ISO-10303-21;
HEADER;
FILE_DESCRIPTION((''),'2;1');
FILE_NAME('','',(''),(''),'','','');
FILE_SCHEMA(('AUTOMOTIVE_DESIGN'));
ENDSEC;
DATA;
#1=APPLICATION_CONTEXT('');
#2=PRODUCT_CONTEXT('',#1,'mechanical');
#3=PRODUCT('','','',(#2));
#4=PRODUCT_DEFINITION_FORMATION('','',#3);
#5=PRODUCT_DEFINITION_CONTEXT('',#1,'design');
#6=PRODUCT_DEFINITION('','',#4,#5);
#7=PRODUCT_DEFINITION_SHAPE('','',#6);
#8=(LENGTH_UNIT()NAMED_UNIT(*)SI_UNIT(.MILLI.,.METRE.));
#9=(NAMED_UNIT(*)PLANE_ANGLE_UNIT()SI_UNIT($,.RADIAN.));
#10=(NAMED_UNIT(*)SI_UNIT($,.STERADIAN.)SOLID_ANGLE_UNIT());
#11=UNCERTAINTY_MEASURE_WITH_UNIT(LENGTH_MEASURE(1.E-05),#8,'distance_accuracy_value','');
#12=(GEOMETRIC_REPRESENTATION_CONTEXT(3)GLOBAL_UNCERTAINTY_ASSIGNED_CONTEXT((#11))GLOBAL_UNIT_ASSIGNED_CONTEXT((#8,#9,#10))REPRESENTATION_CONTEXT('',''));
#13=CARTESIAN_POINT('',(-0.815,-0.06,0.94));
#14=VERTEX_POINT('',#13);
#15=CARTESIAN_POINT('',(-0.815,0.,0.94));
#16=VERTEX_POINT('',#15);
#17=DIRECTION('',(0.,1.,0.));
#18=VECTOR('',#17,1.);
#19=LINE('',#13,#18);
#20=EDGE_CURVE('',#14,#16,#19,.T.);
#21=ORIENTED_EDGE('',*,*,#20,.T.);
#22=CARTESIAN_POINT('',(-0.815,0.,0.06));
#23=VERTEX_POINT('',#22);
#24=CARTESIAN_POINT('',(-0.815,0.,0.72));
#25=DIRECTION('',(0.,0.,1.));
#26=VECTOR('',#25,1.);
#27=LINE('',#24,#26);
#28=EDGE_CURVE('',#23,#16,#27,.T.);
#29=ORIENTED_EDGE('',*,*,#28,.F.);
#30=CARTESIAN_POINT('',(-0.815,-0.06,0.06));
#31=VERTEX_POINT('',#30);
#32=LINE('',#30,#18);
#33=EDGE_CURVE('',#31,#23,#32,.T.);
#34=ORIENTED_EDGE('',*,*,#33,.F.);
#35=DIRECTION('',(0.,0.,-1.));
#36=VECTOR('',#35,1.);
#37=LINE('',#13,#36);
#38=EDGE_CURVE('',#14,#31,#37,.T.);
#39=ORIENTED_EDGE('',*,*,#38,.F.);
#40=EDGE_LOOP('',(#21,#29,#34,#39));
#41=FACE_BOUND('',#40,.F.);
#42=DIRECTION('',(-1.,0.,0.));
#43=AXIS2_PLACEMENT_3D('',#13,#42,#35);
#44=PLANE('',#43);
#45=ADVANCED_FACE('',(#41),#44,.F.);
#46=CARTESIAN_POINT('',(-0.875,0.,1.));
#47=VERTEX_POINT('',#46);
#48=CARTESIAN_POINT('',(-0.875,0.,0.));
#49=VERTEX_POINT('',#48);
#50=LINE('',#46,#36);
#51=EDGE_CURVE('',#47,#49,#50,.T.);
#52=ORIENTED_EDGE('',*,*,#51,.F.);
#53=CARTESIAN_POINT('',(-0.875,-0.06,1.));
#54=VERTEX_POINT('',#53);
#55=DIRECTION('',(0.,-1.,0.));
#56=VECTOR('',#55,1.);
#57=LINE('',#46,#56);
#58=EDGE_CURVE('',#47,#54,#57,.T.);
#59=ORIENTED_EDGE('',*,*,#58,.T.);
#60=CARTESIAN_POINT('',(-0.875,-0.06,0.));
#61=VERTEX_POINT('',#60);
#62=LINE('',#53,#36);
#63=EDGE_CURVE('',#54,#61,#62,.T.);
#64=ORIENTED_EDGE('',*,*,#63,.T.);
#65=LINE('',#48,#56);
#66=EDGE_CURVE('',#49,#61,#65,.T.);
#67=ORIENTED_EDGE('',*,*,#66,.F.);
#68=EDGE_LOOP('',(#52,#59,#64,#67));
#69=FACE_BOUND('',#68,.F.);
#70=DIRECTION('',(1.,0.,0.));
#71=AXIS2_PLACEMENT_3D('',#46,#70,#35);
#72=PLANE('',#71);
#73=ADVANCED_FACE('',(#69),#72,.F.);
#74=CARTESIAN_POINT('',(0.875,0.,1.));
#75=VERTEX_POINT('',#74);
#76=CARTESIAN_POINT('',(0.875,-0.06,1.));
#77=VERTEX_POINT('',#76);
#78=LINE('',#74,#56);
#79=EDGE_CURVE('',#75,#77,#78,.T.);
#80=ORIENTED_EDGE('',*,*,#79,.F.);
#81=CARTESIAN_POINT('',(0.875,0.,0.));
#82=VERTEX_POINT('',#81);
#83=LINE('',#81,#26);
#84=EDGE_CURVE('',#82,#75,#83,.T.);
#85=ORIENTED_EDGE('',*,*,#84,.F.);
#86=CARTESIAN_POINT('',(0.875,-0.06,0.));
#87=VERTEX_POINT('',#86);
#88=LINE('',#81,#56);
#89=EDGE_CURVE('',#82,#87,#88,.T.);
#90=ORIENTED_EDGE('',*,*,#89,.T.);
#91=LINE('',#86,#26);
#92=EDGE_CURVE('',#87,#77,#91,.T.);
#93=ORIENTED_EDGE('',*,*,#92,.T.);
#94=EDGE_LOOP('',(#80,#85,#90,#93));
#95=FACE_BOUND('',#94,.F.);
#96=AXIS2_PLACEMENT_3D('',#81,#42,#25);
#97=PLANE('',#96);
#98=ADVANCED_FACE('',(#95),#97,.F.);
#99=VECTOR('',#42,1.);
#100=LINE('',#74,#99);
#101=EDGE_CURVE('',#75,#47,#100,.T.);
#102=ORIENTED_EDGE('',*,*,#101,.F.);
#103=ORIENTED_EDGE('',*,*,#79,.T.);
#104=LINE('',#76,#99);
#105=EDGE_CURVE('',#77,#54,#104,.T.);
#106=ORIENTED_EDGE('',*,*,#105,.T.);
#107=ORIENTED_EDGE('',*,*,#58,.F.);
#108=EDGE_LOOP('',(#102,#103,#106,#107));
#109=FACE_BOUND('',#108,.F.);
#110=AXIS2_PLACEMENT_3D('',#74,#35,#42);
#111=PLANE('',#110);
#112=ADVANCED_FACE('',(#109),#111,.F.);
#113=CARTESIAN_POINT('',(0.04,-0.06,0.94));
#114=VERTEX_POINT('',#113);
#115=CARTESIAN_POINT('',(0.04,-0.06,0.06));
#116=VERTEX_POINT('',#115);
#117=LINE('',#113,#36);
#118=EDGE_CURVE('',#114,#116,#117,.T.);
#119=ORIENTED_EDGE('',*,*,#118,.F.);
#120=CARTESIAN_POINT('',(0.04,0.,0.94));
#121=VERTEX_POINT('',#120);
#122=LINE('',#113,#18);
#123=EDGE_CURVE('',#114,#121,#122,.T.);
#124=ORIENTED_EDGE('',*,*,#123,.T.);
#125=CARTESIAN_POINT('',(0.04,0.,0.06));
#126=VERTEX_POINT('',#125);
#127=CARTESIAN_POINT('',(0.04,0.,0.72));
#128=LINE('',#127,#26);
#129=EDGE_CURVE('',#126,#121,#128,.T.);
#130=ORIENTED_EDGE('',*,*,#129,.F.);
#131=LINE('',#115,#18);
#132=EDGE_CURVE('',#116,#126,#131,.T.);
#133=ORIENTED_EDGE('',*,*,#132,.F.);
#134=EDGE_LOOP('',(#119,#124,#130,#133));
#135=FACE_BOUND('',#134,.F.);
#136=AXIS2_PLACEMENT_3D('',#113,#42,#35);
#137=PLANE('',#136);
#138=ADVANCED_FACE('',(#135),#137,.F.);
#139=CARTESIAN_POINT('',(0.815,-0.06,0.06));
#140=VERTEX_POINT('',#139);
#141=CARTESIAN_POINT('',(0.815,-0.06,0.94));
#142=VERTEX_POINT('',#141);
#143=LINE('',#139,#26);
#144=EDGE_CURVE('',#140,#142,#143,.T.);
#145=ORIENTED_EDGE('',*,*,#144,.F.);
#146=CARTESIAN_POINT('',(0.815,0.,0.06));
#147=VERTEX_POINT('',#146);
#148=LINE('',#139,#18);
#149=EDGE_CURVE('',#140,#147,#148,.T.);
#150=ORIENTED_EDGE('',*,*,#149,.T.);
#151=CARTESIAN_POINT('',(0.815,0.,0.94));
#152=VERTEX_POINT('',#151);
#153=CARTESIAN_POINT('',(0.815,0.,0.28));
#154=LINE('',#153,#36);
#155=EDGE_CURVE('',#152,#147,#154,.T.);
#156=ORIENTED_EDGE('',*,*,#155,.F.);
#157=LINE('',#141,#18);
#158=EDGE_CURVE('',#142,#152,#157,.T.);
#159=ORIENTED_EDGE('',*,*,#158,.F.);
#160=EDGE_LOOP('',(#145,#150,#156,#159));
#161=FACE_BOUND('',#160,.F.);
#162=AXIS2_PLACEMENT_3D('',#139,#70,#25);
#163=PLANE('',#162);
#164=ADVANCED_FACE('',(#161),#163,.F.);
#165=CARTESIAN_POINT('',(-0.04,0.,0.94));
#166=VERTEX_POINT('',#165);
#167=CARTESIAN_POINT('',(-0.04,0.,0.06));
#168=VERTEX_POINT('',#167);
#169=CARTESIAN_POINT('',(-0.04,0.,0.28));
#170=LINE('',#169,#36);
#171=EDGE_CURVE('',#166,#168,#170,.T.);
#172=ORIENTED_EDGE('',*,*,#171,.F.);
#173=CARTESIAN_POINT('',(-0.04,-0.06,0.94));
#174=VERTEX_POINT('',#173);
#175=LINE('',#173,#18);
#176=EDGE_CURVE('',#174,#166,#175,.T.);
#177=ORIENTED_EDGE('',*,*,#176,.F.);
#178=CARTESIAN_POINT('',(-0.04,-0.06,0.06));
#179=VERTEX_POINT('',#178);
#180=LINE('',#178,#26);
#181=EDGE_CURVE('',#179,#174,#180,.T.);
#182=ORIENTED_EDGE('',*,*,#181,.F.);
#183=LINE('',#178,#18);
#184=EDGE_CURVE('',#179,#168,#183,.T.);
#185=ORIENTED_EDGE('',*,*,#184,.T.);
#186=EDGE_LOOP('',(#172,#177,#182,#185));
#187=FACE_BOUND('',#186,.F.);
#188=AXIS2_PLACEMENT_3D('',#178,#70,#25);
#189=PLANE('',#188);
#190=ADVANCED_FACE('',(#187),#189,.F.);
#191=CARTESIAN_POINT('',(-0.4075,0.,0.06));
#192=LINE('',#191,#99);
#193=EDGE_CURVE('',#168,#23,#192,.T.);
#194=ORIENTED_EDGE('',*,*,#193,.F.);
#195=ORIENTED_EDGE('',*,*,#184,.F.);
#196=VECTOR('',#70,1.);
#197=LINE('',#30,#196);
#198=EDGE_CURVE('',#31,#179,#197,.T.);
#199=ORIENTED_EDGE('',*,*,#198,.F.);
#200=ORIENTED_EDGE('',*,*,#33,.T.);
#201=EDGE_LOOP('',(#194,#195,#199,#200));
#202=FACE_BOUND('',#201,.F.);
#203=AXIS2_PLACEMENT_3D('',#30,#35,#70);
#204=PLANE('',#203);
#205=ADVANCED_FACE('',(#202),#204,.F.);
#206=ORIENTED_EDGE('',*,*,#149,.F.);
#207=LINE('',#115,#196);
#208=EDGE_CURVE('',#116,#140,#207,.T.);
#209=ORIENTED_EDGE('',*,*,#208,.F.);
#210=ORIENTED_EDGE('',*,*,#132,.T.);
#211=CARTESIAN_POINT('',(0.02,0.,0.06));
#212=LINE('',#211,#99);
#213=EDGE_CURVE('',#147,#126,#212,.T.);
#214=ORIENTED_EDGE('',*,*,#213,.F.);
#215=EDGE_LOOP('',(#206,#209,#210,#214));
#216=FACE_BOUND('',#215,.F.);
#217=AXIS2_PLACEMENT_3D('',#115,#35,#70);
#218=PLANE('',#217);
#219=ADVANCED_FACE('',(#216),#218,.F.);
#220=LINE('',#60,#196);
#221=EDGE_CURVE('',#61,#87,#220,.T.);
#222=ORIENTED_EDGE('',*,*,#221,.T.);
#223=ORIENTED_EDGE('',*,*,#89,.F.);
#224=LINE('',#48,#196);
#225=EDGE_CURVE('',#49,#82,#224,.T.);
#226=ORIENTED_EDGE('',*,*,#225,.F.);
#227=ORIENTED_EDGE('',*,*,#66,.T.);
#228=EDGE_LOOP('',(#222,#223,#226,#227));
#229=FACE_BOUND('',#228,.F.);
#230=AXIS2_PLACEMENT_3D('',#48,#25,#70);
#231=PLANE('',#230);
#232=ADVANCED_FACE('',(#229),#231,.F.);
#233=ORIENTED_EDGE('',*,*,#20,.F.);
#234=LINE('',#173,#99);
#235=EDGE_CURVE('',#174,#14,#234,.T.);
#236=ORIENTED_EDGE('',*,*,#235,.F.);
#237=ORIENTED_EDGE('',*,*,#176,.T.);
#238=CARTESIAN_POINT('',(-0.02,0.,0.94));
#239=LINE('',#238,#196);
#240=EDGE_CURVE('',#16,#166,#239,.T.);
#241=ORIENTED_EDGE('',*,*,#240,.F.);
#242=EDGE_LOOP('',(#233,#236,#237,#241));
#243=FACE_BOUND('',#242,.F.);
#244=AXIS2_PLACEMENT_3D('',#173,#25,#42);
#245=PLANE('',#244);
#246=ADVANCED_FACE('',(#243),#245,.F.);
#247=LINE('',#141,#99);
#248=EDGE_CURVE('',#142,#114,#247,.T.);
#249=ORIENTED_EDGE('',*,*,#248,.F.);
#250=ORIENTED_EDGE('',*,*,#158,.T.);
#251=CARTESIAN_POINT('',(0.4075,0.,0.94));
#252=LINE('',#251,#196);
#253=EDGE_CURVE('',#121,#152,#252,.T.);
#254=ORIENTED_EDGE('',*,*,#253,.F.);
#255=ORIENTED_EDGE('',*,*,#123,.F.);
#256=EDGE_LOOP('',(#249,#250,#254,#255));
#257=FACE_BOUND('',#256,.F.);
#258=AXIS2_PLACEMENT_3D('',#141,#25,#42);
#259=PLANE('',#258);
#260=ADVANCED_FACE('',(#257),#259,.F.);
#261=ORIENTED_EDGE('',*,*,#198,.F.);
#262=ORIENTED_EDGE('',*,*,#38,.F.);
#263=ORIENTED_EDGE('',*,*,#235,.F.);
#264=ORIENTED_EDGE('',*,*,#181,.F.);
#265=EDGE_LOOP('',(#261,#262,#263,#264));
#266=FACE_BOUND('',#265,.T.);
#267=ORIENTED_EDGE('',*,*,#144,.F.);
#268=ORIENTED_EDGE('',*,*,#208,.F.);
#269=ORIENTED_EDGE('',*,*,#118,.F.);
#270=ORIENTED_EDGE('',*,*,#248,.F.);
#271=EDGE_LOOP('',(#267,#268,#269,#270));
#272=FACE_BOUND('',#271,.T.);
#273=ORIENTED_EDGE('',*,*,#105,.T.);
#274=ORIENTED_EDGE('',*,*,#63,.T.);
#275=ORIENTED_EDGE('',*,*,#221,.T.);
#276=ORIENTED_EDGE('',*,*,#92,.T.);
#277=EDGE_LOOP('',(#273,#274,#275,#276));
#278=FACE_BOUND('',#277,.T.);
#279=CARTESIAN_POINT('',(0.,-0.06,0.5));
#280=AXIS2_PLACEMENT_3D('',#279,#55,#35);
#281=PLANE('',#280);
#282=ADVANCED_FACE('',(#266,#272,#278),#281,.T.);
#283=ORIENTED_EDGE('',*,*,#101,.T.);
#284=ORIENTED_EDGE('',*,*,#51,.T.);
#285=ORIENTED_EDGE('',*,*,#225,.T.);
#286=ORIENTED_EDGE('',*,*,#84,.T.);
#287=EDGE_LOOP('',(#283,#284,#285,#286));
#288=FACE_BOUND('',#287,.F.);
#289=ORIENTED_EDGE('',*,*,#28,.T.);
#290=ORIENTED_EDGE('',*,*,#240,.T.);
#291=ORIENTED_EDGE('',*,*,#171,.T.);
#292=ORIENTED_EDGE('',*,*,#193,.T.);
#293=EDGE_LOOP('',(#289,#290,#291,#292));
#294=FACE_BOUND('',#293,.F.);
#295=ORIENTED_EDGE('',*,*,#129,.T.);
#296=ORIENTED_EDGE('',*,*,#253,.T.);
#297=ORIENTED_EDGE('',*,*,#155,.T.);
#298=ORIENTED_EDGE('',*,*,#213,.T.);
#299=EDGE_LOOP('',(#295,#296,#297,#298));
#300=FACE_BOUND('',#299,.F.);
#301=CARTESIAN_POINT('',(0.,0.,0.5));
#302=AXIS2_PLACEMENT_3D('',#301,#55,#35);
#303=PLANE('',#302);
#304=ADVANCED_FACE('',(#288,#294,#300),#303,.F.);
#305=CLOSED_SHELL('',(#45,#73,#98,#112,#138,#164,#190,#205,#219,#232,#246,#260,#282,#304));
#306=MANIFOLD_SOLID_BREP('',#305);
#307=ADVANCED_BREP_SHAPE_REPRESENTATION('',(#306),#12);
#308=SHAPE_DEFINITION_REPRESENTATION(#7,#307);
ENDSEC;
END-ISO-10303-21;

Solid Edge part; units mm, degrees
sketch "Sketch1" plane through (0, 0, 0) normal (0, -1, 0) x (1, 0, 0)
  line L0 (-0.875, 0) -> (0.875, 0)
  line L1 (0.875, 0) -> (0.875, 1)
  line L2 (0.875, 1) -> (-0.875, 1)
  line L3 (-0.875, 1) -> (-0.875, 0)
  dimension "D1" = 1
  dimension "D2" = 1.75
extrude "Protrusion1" add sketch "Sketch1" along normal blind 0.06
sketch "Sketch2" plane through (0, -0.06, 0.75) normal (0, -1, 0) x (1, 0, 0)
  line L0 (0.04, -0.69) -> (0.815, -0.69)
  line L1 (0.815, -0.69) -> (0.815, 0.19)
  line L2 (0.815, 0.19) -> (0.04, 0.19)
  line L3 (0.04, 0.19) -> (0.04, -0.69)
  line L4 (-0.815, -0.69) -> (-0.04, -0.69)
  line L5 (-0.04, -0.69) -> (-0.04, 0.19)
  line L6 (-0.04, 0.19) -> (-0.815, 0.19)
  line L7 (-0.815, 0.19) -> (-0.815, -0.69)
  dimension "D1" = 0.06
  dimension "D2" = 0.08
extrude "Cutout1" cut sketch "Sketch2" against normal up to next
